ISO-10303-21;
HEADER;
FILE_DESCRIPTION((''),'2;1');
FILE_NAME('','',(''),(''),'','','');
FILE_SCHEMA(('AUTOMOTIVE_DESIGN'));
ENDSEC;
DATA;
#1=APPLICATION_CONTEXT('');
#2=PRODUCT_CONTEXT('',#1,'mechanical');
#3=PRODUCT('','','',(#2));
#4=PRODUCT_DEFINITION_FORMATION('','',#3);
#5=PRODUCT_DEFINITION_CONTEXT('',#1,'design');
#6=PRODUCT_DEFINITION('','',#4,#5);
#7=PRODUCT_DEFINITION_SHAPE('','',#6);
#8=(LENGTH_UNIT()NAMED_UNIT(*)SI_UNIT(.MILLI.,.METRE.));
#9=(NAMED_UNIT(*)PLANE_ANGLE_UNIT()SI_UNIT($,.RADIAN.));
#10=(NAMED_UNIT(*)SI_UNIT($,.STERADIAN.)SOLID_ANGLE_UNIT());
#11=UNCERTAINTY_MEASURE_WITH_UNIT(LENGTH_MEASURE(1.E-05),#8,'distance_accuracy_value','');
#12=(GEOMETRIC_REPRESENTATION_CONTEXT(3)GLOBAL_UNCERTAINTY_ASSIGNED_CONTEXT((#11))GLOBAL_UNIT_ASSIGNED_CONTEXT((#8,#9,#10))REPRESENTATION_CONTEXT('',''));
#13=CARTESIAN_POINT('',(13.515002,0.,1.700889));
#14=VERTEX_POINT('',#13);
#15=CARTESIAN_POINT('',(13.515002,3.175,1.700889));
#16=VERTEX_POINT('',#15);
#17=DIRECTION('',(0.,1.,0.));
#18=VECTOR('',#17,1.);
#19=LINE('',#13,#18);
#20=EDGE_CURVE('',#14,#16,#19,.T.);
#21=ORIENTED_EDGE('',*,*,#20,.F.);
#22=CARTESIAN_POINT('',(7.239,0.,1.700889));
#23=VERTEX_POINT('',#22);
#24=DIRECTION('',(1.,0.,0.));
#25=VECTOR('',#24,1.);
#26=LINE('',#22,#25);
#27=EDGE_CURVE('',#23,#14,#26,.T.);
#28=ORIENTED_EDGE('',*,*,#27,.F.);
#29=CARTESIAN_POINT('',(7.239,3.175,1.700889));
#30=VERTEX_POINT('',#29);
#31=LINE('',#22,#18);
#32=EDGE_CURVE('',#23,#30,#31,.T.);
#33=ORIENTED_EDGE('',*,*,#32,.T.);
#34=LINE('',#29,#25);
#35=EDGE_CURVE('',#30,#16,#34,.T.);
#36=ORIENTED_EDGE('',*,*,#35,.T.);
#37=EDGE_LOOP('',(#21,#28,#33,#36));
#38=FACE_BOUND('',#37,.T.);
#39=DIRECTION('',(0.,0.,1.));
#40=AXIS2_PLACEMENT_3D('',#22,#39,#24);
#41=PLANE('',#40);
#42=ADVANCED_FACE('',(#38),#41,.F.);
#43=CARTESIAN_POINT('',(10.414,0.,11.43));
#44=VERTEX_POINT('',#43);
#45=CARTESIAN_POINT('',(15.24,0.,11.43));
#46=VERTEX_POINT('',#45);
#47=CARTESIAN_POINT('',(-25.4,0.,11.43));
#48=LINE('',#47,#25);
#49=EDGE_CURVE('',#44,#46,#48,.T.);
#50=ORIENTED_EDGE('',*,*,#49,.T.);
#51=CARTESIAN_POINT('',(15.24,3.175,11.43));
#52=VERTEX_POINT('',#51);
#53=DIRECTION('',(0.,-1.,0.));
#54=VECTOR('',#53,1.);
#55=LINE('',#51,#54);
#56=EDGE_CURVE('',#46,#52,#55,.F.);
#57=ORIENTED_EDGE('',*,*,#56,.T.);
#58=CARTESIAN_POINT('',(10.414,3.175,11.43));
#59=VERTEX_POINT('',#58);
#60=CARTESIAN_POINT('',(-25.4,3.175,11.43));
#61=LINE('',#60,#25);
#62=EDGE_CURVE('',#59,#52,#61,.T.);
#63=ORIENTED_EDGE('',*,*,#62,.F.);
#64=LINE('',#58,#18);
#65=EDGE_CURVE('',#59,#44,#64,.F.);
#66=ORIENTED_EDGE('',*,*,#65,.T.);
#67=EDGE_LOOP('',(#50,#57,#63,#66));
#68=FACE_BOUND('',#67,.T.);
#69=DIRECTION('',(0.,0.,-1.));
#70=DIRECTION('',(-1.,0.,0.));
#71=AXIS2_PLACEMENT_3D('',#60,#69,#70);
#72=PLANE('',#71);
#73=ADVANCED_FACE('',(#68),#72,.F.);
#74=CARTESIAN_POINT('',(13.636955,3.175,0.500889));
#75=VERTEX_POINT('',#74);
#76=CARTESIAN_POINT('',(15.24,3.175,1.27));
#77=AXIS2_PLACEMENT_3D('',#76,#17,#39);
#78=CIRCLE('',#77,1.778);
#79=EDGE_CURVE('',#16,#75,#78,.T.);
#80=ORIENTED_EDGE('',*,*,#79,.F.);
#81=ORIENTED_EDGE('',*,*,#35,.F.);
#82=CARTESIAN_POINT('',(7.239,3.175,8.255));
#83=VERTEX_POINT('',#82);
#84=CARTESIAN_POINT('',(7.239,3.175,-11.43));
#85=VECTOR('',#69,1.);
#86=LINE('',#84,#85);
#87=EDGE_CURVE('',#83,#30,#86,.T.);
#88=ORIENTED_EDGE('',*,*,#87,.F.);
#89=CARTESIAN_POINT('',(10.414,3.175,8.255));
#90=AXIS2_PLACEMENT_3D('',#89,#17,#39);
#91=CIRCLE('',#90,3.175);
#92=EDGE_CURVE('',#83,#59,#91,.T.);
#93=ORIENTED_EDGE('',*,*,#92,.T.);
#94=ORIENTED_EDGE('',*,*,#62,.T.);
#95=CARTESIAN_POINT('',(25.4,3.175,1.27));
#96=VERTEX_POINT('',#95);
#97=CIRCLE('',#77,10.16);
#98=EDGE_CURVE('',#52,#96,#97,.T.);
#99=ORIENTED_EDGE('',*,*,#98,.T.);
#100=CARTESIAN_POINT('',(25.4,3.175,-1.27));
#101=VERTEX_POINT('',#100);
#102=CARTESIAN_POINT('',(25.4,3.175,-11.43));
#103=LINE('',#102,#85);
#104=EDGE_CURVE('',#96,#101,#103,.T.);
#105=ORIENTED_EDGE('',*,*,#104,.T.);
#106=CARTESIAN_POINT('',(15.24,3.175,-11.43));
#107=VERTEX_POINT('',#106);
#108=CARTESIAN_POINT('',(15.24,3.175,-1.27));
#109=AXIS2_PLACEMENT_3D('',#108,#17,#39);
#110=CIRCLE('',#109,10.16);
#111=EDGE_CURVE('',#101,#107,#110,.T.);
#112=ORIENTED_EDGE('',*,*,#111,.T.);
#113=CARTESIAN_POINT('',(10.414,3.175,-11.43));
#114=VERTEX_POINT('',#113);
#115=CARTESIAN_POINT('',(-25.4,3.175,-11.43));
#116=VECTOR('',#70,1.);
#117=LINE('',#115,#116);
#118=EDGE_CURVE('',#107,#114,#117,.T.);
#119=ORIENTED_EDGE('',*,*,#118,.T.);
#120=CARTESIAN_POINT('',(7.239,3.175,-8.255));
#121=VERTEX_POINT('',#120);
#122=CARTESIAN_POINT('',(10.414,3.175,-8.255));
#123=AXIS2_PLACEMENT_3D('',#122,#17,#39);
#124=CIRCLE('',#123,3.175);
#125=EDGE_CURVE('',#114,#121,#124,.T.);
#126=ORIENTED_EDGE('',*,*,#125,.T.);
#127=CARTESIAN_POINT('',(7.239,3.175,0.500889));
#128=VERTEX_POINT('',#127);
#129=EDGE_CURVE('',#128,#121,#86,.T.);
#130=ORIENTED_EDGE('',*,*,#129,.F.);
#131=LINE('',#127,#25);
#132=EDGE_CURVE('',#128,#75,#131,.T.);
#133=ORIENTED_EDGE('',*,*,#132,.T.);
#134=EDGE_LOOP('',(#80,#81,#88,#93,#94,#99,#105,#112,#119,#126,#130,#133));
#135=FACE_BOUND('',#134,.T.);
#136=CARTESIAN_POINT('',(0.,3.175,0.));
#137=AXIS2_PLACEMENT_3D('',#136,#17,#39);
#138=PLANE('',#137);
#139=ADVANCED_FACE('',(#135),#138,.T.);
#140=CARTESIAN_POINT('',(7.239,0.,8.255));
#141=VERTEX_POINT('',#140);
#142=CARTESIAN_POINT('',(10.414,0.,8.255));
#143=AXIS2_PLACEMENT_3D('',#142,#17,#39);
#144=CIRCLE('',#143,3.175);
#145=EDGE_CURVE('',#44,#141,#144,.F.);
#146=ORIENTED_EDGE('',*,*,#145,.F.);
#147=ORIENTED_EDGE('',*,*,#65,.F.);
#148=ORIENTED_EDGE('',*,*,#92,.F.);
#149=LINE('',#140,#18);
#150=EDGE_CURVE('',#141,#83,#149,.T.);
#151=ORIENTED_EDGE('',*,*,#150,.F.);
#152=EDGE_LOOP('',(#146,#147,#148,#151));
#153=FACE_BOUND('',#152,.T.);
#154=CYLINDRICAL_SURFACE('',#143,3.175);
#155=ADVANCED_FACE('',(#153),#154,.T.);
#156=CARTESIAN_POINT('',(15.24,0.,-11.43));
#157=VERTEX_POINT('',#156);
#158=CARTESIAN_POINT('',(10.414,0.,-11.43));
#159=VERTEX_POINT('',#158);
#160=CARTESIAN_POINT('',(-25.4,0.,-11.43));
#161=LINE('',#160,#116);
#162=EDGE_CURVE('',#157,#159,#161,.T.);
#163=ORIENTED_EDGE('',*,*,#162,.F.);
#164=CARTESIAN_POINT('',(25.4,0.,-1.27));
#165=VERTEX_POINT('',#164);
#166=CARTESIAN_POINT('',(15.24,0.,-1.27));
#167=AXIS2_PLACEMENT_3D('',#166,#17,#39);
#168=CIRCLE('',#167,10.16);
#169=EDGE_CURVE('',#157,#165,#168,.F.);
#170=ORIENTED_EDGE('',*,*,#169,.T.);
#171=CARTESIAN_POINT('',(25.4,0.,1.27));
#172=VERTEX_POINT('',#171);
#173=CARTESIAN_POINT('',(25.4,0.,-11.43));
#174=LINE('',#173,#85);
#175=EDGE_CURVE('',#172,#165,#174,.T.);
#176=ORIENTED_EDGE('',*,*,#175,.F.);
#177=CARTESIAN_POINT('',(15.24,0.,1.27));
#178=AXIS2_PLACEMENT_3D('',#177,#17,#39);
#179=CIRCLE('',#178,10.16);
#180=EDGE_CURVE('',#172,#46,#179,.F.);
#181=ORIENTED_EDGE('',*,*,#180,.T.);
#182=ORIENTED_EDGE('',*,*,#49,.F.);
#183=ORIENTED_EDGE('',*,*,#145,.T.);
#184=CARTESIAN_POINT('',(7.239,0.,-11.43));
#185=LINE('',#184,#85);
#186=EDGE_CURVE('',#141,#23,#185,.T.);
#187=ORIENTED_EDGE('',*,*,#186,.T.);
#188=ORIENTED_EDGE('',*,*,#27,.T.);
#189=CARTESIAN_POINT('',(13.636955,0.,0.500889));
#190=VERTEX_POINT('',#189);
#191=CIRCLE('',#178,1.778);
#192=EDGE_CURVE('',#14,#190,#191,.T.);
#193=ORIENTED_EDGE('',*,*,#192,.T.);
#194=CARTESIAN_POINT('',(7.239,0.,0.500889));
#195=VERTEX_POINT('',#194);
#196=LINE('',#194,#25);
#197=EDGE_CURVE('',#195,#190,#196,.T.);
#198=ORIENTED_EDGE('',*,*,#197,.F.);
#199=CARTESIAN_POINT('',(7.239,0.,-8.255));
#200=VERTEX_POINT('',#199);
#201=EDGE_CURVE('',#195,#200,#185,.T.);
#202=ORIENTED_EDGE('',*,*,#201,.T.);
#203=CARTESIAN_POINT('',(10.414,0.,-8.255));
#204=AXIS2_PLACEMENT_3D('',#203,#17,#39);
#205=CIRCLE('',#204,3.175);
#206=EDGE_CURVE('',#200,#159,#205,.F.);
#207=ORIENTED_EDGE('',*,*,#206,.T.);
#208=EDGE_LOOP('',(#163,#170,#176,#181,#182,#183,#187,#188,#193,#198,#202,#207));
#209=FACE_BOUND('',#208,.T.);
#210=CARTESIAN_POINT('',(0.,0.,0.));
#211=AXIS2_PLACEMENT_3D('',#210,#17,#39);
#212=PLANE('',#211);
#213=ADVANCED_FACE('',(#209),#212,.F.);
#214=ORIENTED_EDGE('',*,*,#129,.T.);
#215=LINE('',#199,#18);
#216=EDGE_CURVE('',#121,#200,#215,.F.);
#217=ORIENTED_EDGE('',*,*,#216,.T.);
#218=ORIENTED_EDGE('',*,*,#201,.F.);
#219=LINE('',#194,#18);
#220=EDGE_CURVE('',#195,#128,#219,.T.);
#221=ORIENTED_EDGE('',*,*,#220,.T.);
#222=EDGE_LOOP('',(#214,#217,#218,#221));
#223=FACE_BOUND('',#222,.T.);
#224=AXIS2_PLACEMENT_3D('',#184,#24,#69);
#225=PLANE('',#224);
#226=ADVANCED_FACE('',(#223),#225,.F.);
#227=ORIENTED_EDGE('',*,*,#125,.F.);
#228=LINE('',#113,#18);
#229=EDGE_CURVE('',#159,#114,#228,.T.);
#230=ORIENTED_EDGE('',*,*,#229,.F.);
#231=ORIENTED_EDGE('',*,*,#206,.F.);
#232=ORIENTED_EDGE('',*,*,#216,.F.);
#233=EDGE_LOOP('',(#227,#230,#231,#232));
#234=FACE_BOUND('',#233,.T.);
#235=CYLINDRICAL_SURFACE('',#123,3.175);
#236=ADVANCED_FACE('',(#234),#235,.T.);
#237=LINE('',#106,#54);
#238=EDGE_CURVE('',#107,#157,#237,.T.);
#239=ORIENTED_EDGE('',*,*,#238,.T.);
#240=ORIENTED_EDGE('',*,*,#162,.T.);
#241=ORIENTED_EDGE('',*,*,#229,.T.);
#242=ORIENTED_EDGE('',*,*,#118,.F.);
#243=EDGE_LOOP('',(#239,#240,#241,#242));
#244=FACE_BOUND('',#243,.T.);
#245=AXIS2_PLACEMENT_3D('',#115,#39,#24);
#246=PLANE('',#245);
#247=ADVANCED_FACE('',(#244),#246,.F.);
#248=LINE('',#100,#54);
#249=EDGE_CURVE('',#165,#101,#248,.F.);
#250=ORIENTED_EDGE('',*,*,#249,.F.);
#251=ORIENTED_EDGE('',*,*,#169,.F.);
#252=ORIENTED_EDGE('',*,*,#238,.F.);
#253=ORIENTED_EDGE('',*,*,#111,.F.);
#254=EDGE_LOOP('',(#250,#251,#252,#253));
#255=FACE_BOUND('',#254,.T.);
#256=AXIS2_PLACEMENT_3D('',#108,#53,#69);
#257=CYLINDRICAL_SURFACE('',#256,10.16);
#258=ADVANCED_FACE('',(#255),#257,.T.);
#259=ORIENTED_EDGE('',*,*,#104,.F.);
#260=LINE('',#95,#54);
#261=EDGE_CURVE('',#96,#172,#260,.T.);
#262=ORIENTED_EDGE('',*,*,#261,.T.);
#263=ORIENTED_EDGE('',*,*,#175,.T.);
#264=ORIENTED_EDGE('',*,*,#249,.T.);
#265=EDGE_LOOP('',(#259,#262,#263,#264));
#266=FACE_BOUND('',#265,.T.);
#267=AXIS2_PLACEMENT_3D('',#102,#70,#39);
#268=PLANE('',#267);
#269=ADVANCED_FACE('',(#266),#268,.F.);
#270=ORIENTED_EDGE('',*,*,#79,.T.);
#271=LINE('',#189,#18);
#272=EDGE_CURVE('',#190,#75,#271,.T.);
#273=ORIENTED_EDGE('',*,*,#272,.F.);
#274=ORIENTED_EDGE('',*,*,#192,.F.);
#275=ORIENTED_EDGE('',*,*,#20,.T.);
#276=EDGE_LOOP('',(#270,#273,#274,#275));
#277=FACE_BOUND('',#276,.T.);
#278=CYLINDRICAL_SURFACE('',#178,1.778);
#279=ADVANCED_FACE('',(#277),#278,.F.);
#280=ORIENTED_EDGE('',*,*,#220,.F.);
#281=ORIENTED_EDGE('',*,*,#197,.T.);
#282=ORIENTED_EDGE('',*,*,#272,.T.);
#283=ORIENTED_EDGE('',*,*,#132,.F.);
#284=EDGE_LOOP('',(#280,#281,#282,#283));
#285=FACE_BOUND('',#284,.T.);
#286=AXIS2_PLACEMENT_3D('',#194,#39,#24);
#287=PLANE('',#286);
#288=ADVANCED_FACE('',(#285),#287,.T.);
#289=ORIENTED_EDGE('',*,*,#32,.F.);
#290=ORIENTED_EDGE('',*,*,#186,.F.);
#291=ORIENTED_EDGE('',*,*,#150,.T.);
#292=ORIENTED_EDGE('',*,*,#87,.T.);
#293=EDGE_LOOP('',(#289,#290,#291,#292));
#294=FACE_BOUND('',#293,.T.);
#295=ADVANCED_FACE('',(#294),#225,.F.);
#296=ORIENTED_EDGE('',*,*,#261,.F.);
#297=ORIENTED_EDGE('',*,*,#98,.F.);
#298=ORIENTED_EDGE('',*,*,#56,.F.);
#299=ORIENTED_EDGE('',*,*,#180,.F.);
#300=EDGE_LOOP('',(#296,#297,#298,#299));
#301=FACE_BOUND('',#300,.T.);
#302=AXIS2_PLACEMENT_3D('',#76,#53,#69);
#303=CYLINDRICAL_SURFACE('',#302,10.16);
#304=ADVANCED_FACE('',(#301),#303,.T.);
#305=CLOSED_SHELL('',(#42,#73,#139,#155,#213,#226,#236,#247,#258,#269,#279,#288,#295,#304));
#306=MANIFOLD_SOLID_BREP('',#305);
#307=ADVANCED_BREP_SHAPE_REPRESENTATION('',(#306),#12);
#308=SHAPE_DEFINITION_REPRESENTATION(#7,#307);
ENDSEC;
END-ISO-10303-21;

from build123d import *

# Parameters (mm, degrees)
SKETCH1_W           = 50.8
SKETCH1_H           = 22.86
BOSS_EXTRUDE1_DEPTH = 3.175
FILLET1_R           = 10.16
SKETCH3_R           = 1.778
CUT_EXTRUDE1_DEPTH  = 29.033649869
FILLET3_R           = 10.16
SKETCH4_W           = 32.639
SKETCH4_H           = 22.86
CUT_EXTRUDE2_DEPTH  = 29.033649869
FILLET9_R           = 3.175
SKETCH5_W           = 6.800031064
SKETCH5_H           = 1.2
CUT_EXTRUDE4_DEPTH  = 29.033649869


with BuildPart() as part:
    # Sketch1 → Boss-Extrude1 (new body)
    with BuildSketch(Plane(origin=(0, 0, 0), x_dir=(1, 0, 0), z_dir=(0, 1, 0))):
        Rectangle(SKETCH1_W, SKETCH1_H)
    extrude(amount=BOSS_EXTRUDE1_DEPTH)

    # Fillet1
    fillet1_edges = [part.edges().sort_by_distance(p)[0] for p in [
        (25.4, 1.5875, 11.43),
        (-25.4, 1.5875, 11.43),
    ]]
    fillet(fillet1_edges, radius=FILLET1_R)

    # Sketch3 → Cut-Extrude1 (cut, through all)
    with BuildSketch(Plane(origin=(0, 3.175, 0), x_dir=(1, 0, 0), z_dir=(0, 1, 0))):
        with Locations(Location((15.24, -1.27, 0), (0, 0, 270))):
            Circle(SKETCH3_R)
        with Locations(Location((-3.81, -1.27, 0), (0, 0, 270))):
            Circle(SKETCH3_R)
    extrude(amount=-CUT_EXTRUDE1_DEPTH, mode=Mode.SUBTRACT)

    # Fillet3
    fillet3_edges = [part.edges().sort_by_distance(p)[0] for p in [
        (-25.4, 1.5875, -11.43),
        (25.4, 1.5875, -11.43),
    ]]
    fillet(fillet3_edges, radius=FILLET3_R)

    # Sketch4 → Cut-Extrude2 (cut, through all)
    with BuildSketch(Plane(origin=(0, 3.175, 0), x_dir=(1, 0, 0), z_dir=(0, 1, 0))):
        with Locations((-9.0805, 0)):
            Rectangle(SKETCH4_W, SKETCH4_H)
    extrude(amount=-CUT_EXTRUDE2_DEPTH, mode=Mode.SUBTRACT)

    # Fillet9
    fillet9_edges = [part.edges().sort_by_distance(p)[0] for p in [
        (7.239, 1.5875, -11.43),
        (7.239, 1.5875, 11.43),
    ]]
    fillet(fillet9_edges, radius=FILLET9_R)

    # Sketch5 → Cut-Extrude4 (cut, through all)
    with BuildSketch(Plane(origin=(0, 3.175, 0), x_dir=(1, 0, 0), z_dir=(0, 1, 0))):
        with Locations((10.639015532, -1.100889409)):
            Rectangle(SKETCH5_W, SKETCH5_H)
    extrude(amount=-CUT_EXTRUDE4_DEPTH, mode=Mode.SUBTRACT)


solid = part.part
